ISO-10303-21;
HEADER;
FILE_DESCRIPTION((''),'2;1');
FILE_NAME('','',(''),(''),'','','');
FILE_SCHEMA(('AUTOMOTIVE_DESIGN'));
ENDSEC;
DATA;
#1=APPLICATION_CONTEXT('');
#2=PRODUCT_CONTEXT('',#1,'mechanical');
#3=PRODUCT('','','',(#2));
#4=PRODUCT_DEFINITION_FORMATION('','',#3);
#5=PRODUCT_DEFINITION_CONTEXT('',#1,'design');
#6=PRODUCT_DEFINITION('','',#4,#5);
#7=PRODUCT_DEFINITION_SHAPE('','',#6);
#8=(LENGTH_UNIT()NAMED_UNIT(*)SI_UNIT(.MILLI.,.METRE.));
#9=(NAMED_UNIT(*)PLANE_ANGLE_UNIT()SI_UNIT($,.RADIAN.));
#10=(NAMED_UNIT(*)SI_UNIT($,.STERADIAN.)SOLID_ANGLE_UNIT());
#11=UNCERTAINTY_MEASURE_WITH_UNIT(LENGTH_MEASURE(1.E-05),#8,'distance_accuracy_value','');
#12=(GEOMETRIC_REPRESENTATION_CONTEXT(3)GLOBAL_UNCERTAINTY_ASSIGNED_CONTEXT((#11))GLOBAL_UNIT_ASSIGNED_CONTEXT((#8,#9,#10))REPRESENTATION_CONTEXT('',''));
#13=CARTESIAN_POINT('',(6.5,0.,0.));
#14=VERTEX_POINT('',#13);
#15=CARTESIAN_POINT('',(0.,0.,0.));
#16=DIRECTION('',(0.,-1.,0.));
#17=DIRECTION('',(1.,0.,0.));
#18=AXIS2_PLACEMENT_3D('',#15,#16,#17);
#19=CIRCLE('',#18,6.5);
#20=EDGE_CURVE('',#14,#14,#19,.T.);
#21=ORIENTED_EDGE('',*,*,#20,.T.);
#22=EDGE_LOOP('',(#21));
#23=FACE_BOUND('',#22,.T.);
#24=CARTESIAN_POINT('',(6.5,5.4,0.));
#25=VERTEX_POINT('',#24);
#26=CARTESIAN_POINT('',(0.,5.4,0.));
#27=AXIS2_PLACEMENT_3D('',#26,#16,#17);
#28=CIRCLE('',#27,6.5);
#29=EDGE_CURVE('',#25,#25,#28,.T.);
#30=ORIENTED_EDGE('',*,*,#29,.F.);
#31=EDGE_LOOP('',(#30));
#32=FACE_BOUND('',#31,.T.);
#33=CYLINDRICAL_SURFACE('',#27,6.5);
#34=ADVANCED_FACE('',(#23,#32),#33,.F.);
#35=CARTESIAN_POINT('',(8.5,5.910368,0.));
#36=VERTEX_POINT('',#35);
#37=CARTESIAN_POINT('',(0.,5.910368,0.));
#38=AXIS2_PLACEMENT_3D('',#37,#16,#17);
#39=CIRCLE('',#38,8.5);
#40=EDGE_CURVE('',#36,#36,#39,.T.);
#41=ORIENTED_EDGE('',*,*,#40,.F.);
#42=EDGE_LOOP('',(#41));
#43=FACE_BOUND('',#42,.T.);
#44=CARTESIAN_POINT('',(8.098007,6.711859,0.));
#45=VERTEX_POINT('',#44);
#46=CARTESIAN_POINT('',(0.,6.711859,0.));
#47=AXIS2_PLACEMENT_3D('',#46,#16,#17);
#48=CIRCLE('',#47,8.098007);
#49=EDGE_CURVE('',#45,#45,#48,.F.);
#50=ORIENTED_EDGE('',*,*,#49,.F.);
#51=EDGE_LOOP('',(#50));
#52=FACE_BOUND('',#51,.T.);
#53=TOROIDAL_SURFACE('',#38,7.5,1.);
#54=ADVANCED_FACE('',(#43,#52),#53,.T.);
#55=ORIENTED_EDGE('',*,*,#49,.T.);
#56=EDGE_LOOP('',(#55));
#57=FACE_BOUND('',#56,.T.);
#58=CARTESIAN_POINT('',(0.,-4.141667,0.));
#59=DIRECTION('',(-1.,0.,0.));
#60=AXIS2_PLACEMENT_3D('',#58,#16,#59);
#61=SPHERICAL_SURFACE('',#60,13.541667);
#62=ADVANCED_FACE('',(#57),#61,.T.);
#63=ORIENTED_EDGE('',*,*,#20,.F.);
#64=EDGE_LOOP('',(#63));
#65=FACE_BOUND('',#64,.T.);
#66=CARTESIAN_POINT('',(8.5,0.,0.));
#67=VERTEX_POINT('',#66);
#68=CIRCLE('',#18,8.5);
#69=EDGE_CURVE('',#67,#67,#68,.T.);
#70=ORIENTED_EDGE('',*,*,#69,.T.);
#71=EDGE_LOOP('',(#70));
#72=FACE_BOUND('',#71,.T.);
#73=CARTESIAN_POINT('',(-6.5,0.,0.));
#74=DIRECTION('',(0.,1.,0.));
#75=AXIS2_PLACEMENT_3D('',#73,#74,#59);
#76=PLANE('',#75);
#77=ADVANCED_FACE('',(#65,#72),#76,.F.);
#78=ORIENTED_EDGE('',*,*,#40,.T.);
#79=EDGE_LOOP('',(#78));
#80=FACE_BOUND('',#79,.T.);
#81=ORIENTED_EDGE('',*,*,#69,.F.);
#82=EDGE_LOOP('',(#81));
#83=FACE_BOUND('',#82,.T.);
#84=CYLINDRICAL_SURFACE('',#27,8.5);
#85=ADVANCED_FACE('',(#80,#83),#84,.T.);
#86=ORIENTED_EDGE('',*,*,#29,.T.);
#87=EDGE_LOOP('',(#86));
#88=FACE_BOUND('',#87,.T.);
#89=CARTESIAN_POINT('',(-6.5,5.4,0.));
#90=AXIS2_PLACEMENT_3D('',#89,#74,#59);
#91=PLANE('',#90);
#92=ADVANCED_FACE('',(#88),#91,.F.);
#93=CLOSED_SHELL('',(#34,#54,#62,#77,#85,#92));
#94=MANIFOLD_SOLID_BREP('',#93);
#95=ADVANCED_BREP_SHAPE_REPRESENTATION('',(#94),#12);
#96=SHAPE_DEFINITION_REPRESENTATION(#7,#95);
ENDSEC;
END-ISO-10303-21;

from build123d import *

# Parameters (mm, degrees)
FILLET1_R = 1


with BuildPart() as part:
    # Sketch1 → Revolve1 (revolve)
    with BuildSketch(Plane.XY, mode=Mode.PRIVATE) as revolve1_sk:
        with BuildLine():
            Line((-6.5, 0), (-8.5, 0))
            Line((-8.5, 0), (-8.5, 6.4))
            ThreePointArc((-8.5, 6.4), (-4.506939094, 8.627994101), (0, 9.4))
            Line((0, 9.4), (0, 5.4))
            Line((0, 5.4), (-6.5, 5.4))
            Line((-6.5, 5.4), (-6.5, 0))
        make_face()
    revolve(revolve1_sk.sketch.rotate(Axis((0, 5.4, 0), (0, 1, 0)), 180), axis=Axis((0, 5.4, 0), (0, 1, 0)))

    # Fillet1
    fillet1_edges = [part.edges().sort_by_distance(p)[0] for p in [
        (-8.5, 6.4, 0),
    ]]
    fillet(fillet1_edges, radius=FILLET1_R)


solid = part.part
